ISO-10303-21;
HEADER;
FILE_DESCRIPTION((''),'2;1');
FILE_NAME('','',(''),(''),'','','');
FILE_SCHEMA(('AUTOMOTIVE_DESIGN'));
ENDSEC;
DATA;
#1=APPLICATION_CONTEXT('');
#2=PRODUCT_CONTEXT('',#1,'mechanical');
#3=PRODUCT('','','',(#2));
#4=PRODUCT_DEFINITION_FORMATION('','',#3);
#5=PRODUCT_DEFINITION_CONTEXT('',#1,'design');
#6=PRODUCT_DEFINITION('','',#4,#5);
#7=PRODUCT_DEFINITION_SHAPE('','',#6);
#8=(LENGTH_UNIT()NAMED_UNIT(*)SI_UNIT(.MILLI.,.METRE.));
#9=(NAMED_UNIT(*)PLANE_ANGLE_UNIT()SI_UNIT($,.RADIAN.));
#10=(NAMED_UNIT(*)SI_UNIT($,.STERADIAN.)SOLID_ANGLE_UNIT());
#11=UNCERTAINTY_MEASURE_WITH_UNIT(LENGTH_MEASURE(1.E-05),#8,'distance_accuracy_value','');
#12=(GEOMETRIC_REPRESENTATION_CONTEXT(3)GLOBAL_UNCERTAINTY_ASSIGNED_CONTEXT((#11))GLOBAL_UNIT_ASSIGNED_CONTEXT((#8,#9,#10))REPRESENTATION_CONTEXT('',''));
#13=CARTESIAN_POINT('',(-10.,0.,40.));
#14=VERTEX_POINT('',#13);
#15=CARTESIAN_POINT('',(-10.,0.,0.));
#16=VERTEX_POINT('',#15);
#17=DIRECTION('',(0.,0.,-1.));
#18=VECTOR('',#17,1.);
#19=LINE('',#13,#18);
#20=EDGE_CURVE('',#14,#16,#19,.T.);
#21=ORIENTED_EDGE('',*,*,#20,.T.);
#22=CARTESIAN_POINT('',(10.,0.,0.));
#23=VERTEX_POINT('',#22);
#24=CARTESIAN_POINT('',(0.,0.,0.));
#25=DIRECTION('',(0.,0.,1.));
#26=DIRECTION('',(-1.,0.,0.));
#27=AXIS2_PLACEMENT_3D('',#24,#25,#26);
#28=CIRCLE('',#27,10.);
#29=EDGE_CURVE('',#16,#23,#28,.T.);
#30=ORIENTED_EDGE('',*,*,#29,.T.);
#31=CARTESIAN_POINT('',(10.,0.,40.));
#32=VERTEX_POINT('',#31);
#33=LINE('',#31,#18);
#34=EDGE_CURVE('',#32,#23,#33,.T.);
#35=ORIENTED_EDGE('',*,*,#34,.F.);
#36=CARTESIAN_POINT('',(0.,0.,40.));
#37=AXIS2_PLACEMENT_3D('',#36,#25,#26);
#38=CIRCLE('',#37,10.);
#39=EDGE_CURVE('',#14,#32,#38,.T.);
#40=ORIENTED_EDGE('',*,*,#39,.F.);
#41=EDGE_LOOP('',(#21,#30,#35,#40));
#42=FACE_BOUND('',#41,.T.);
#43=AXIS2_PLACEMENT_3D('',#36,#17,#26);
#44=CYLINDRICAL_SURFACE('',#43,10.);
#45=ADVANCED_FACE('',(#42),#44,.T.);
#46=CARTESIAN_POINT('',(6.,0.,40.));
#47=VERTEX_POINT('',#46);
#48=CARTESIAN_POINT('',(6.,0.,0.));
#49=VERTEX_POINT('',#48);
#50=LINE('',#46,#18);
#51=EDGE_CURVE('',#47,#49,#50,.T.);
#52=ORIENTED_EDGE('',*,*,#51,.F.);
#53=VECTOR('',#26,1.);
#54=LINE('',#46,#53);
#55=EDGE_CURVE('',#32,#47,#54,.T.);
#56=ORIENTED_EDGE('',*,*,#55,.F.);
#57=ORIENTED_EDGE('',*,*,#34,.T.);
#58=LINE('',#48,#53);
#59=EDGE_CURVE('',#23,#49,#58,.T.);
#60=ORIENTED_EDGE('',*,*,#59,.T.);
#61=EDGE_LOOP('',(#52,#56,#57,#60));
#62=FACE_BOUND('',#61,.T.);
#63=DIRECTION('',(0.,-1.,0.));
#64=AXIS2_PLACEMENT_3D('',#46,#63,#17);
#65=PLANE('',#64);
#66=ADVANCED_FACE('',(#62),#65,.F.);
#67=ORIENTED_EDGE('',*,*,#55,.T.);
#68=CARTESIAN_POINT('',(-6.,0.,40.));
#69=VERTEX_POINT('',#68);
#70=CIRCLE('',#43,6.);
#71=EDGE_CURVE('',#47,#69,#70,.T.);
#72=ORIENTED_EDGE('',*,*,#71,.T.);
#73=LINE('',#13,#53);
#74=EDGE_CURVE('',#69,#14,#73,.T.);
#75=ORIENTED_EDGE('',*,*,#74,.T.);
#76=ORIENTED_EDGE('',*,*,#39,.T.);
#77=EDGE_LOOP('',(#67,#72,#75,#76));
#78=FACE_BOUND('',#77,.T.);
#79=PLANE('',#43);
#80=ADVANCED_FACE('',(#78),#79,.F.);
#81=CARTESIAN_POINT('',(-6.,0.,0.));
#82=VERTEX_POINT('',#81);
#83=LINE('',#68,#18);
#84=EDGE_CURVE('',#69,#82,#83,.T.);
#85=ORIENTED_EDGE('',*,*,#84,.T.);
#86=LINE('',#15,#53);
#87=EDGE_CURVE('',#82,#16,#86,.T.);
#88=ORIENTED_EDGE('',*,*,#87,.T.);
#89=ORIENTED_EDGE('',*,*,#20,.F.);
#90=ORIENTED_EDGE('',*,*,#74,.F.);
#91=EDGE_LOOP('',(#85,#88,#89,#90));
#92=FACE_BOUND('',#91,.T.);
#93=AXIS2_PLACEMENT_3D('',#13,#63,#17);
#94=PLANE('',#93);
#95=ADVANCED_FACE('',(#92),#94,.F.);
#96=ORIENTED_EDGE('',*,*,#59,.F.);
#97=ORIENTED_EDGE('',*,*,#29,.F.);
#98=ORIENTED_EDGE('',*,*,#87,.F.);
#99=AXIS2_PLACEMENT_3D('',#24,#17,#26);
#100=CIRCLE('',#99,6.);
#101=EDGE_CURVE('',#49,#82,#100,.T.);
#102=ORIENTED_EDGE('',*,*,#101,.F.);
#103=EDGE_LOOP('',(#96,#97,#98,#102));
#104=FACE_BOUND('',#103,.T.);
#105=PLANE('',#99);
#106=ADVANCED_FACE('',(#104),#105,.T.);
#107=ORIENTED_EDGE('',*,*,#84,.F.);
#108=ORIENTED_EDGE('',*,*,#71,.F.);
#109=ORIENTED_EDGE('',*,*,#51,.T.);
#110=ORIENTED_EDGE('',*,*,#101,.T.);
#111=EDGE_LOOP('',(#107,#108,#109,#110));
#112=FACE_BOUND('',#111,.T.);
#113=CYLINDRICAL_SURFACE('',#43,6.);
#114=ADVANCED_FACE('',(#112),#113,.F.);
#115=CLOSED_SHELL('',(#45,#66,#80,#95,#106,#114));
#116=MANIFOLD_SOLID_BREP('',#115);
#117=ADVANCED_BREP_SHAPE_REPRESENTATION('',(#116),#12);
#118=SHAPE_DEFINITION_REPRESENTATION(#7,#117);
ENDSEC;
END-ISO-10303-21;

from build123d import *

# Parameters (mm, degrees)
SALIENTE_EXTRUIR1_DEPTH = 40


with BuildPart() as part:
    # Croquis1 → Saliente-Extruir1 (new body)
    with BuildSketch(Plane.XY):
        with BuildLine():
            Line((-10, 0), (-6, 0))
            ThreePointArc((-6, 0), (0, -6), (6, 0))
            Line((6, 0), (10, 0))
            ThreePointArc((10, 0), (0, -10), (-10, 0))
        make_face()
    extrude(amount=SALIENTE_EXTRUIR1_DEPTH)


solid = part.part
